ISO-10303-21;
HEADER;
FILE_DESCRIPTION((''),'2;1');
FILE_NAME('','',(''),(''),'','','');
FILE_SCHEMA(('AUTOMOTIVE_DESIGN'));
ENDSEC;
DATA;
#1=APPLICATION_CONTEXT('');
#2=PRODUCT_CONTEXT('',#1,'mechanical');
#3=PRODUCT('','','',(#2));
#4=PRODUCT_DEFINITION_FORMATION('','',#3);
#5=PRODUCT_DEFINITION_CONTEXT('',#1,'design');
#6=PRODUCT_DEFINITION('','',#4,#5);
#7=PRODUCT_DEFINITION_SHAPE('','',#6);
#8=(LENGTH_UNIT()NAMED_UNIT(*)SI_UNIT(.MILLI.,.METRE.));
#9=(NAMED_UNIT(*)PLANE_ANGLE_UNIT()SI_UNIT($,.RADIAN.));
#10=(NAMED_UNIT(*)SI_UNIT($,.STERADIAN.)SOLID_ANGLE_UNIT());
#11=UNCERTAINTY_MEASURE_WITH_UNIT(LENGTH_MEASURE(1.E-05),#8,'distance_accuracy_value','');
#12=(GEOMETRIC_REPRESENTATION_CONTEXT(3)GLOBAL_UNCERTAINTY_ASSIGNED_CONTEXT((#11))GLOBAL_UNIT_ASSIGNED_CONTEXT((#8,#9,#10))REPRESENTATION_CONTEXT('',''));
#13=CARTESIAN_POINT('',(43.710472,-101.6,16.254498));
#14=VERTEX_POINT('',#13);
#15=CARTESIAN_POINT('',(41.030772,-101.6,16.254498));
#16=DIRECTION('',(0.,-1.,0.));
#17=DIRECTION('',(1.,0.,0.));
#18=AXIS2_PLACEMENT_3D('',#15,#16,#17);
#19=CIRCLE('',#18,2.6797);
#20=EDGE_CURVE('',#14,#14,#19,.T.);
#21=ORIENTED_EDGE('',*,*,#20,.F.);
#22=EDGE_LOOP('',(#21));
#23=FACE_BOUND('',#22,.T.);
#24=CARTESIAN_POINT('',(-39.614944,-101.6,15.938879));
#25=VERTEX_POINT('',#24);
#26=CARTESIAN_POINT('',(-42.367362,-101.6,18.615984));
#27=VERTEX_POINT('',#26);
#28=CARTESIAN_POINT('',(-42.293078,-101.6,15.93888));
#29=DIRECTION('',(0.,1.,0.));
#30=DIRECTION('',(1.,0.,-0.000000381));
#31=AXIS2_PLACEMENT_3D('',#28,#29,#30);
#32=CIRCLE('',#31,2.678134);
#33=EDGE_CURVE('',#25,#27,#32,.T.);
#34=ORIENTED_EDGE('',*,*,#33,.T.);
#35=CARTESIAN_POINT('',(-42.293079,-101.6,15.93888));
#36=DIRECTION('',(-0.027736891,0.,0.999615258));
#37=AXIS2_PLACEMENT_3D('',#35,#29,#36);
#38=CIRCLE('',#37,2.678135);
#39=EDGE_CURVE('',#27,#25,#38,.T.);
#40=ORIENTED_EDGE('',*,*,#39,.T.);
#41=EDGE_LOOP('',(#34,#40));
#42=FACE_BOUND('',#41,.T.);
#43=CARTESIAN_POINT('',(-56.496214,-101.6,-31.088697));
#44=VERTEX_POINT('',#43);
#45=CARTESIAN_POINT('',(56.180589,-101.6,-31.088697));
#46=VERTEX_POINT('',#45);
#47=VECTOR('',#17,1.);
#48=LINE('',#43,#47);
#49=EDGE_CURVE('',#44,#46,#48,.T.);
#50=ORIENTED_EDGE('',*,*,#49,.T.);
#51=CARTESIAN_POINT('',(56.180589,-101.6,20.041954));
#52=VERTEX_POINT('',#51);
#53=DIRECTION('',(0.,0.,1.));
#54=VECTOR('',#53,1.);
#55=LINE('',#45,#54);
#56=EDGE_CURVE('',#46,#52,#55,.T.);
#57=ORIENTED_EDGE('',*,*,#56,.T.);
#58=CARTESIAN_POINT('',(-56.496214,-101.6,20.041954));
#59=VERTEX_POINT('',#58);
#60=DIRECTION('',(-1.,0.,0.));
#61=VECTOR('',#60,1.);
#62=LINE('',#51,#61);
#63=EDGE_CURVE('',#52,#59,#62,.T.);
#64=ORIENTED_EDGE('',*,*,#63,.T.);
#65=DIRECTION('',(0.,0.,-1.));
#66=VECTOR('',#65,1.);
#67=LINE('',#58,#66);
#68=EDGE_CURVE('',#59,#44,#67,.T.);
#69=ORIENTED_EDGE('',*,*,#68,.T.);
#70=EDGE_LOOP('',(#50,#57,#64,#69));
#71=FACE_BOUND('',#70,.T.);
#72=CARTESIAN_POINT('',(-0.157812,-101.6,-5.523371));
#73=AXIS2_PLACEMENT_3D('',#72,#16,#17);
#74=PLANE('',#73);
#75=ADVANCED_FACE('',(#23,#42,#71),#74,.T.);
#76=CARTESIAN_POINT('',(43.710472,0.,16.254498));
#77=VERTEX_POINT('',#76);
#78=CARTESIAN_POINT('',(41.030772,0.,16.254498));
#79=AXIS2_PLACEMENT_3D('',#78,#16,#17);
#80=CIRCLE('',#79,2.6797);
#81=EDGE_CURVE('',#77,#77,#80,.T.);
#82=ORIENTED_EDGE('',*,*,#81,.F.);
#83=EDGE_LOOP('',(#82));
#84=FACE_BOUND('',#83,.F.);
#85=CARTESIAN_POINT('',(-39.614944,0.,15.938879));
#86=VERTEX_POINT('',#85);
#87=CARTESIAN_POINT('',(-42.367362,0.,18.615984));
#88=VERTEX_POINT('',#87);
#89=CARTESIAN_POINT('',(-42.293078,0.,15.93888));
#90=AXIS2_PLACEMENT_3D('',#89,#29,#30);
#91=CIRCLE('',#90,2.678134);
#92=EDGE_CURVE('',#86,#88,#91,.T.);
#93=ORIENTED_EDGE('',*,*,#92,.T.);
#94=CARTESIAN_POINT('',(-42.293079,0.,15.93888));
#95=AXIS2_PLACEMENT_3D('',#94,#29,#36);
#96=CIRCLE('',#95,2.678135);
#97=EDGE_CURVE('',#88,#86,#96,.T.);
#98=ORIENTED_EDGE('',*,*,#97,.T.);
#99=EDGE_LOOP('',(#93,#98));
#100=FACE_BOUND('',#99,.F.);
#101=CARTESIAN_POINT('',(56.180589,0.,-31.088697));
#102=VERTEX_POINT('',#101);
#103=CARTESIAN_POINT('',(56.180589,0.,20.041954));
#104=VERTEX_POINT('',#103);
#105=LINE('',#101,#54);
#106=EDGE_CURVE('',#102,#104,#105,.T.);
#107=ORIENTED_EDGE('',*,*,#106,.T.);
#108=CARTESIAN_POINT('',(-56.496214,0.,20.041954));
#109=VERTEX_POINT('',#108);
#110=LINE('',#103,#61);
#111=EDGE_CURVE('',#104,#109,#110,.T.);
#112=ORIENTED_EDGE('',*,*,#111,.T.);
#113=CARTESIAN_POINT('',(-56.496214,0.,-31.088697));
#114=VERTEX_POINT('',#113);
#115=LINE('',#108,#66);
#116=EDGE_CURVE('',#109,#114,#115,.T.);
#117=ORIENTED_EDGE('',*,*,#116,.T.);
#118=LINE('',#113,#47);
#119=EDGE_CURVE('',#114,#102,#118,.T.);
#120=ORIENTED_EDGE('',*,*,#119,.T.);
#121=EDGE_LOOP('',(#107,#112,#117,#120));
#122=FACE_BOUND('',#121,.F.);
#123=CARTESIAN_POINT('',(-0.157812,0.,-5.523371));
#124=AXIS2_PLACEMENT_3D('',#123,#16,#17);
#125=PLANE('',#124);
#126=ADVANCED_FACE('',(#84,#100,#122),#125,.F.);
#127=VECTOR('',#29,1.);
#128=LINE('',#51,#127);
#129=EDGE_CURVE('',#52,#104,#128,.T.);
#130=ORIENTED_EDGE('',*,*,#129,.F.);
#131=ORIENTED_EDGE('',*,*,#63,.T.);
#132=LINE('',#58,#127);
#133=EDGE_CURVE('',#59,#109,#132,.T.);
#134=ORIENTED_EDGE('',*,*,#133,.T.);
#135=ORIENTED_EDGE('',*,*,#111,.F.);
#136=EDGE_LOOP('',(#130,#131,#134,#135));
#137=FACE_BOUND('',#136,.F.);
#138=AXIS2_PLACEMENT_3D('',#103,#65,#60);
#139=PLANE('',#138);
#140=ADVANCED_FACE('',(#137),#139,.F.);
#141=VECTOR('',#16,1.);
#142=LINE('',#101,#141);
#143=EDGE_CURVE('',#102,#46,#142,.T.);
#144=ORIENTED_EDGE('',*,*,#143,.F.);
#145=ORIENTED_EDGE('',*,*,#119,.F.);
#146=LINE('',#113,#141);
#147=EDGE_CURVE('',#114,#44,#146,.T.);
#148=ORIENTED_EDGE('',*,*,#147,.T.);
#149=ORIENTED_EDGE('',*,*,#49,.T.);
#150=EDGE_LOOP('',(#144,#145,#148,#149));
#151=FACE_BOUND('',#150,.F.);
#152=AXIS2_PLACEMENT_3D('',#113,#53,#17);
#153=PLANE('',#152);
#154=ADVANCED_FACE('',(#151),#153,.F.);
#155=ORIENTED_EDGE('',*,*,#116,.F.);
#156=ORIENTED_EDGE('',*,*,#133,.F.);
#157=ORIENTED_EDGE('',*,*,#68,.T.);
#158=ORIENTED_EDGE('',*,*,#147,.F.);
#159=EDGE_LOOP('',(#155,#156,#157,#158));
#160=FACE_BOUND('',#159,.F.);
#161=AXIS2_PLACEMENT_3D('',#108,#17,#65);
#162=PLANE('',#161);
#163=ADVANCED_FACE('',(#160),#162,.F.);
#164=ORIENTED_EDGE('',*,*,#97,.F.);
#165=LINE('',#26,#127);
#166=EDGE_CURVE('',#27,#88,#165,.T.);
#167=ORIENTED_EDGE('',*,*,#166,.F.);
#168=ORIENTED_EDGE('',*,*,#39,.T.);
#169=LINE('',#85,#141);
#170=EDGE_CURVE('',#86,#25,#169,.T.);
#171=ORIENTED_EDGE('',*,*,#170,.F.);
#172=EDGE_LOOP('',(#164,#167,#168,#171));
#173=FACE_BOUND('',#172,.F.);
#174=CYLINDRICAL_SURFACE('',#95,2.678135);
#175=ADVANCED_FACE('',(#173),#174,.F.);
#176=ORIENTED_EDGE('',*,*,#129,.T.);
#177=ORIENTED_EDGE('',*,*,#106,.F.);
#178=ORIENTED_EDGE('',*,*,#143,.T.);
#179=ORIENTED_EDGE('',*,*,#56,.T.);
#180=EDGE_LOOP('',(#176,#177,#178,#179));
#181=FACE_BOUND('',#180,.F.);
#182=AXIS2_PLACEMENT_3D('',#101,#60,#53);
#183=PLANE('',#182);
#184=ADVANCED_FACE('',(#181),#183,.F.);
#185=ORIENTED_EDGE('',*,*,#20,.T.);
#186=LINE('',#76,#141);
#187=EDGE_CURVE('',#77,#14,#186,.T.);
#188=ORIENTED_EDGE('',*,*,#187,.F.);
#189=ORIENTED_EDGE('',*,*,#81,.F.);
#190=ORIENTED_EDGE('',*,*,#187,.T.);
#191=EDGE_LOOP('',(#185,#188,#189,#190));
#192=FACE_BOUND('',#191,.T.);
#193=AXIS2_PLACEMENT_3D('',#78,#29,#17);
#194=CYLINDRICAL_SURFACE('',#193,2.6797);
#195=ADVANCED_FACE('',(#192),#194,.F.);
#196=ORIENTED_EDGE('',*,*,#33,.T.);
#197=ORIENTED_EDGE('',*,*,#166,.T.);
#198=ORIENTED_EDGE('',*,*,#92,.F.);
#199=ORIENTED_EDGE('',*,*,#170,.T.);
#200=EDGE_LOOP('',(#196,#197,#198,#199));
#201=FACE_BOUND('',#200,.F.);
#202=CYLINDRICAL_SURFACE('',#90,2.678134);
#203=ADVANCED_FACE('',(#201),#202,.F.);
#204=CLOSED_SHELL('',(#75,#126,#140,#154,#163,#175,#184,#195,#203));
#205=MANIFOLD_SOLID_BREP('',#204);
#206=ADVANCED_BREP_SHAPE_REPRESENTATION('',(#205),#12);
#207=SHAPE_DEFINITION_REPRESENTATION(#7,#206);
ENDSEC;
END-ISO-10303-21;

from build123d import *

# Parameters (mm, degrees)
F0_R     = 2.6797
F1_DEPTH = 3.175
F2_DEPTH = 101.6


with BuildPart() as f1:
    # F0 (on Front) → F1 (new body)
    with BuildSketch(Plane.XZ):
        Polygon((-42.367362, 20.041954), (-56.496214, 20.041954), (-56.496214, -31.088697), (56.180589, -31.088697), (56.180589, 20.041954), align=None)
        with BuildLine():
            ThreePointArc((-39.614944, 15.938879), (-44.160357, 14.019069), (-42.367362, 18.615984))
            ThreePointArc((-42.367362, 18.615984), (-40.425799, 17.85869), (-39.614944, 15.938879))
        make_face(mode=Mode.SUBTRACT)
        with Locations((41.030772, 16.254498)):
            Circle(F0_R, mode=Mode.SUBTRACT)
    extrude(amount=F1_DEPTH)

    # F0 (on Front) → F2 (join)
    with BuildSketch(Plane.XZ):
        Polygon((-42.367362, 20.041954), (-56.496214, 20.041954), (-56.496214, -31.088697), (56.180589, -31.088697), (56.180589, 20.041954), align=None)
        with BuildLine():
            ThreePointArc((-39.614944, 15.938879), (-44.160357, 14.019069), (-42.367362, 18.615984))
            ThreePointArc((-42.367362, 18.615984), (-40.425799, 17.85869), (-39.614944, 15.938879))
        make_face(mode=Mode.SUBTRACT)
        with Locations((41.030772, 16.254498)):
            Circle(F0_R, mode=Mode.SUBTRACT)
    extrude(amount=F2_DEPTH)


solid = f1.part
